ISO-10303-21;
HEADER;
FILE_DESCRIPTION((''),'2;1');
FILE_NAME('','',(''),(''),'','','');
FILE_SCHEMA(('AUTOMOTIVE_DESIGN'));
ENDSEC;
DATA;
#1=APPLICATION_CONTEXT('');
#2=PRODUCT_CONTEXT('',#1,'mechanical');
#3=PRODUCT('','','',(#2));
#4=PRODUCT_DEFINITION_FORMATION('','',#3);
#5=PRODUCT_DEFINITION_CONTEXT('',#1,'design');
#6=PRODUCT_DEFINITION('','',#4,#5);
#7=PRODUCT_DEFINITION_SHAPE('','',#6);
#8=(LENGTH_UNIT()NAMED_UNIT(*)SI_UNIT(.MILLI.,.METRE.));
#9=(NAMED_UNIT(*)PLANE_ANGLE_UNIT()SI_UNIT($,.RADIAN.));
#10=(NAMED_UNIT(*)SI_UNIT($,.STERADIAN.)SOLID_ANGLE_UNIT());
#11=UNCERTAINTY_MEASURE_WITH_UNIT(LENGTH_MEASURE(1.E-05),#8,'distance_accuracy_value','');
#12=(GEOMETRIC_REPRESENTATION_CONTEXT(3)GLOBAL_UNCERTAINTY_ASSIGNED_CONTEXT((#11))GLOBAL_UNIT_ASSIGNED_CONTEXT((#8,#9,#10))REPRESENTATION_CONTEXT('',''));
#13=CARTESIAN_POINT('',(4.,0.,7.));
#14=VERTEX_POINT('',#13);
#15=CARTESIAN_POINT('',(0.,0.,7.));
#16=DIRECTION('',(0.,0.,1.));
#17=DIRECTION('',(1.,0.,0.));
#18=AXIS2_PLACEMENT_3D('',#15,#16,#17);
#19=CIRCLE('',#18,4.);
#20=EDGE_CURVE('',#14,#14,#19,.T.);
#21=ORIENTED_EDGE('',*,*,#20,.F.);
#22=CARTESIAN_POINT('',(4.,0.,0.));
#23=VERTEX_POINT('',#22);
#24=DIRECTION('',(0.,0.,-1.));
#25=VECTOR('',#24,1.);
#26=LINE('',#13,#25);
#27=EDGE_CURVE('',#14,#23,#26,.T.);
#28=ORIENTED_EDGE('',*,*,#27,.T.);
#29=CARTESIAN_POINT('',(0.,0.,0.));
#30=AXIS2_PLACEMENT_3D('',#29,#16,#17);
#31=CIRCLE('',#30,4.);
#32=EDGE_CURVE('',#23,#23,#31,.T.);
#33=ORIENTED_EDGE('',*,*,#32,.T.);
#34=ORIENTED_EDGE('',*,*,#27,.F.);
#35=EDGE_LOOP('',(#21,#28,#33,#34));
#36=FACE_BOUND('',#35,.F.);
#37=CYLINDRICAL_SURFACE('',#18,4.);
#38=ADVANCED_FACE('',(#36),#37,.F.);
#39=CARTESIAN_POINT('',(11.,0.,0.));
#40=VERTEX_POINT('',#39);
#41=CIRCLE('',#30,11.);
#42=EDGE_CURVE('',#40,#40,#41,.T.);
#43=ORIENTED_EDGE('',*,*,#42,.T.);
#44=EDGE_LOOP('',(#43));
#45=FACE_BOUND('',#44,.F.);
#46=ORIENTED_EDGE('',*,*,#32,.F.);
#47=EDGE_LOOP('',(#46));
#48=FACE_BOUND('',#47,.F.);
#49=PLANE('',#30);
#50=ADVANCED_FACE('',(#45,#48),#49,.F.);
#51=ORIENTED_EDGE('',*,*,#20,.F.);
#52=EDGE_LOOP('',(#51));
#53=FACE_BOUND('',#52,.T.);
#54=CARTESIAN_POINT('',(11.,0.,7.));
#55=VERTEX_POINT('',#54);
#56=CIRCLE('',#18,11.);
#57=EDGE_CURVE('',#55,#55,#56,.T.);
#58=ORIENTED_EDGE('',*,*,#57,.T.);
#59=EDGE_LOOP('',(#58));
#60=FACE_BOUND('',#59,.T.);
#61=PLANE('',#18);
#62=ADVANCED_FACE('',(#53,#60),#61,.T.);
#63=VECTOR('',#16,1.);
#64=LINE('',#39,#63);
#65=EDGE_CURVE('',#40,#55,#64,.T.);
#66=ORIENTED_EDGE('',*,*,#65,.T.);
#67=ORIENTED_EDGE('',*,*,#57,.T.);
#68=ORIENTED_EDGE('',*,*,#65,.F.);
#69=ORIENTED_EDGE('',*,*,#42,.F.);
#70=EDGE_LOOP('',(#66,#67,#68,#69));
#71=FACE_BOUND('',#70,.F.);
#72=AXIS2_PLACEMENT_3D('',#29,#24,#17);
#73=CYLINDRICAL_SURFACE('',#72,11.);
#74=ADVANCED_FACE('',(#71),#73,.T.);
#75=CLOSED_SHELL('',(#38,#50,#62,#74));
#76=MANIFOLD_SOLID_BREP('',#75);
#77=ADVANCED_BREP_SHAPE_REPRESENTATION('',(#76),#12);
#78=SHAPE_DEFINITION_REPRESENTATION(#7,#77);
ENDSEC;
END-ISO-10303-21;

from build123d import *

# Parameters (mm, degrees)
SKETCH1_R      = 11
EXTRUDE1_DEPTH = 7
SKETCH2_R      = 4
EXTRUDE2_DEPTH = 8


with BuildPart() as part:
    # Sketch1 → Extrude1 (new body)
    with BuildSketch(Plane.XY):
        Circle(SKETCH1_R)
    extrude(amount=EXTRUDE1_DEPTH)

    # Sketch2 → Extrude2 (cut, through all)
    with BuildSketch(Plane.XY.offset(7)):
        Circle(SKETCH2_R)
    extrude(amount=-EXTRUDE2_DEPTH, mode=Mode.SUBTRACT)


solid = part.part
